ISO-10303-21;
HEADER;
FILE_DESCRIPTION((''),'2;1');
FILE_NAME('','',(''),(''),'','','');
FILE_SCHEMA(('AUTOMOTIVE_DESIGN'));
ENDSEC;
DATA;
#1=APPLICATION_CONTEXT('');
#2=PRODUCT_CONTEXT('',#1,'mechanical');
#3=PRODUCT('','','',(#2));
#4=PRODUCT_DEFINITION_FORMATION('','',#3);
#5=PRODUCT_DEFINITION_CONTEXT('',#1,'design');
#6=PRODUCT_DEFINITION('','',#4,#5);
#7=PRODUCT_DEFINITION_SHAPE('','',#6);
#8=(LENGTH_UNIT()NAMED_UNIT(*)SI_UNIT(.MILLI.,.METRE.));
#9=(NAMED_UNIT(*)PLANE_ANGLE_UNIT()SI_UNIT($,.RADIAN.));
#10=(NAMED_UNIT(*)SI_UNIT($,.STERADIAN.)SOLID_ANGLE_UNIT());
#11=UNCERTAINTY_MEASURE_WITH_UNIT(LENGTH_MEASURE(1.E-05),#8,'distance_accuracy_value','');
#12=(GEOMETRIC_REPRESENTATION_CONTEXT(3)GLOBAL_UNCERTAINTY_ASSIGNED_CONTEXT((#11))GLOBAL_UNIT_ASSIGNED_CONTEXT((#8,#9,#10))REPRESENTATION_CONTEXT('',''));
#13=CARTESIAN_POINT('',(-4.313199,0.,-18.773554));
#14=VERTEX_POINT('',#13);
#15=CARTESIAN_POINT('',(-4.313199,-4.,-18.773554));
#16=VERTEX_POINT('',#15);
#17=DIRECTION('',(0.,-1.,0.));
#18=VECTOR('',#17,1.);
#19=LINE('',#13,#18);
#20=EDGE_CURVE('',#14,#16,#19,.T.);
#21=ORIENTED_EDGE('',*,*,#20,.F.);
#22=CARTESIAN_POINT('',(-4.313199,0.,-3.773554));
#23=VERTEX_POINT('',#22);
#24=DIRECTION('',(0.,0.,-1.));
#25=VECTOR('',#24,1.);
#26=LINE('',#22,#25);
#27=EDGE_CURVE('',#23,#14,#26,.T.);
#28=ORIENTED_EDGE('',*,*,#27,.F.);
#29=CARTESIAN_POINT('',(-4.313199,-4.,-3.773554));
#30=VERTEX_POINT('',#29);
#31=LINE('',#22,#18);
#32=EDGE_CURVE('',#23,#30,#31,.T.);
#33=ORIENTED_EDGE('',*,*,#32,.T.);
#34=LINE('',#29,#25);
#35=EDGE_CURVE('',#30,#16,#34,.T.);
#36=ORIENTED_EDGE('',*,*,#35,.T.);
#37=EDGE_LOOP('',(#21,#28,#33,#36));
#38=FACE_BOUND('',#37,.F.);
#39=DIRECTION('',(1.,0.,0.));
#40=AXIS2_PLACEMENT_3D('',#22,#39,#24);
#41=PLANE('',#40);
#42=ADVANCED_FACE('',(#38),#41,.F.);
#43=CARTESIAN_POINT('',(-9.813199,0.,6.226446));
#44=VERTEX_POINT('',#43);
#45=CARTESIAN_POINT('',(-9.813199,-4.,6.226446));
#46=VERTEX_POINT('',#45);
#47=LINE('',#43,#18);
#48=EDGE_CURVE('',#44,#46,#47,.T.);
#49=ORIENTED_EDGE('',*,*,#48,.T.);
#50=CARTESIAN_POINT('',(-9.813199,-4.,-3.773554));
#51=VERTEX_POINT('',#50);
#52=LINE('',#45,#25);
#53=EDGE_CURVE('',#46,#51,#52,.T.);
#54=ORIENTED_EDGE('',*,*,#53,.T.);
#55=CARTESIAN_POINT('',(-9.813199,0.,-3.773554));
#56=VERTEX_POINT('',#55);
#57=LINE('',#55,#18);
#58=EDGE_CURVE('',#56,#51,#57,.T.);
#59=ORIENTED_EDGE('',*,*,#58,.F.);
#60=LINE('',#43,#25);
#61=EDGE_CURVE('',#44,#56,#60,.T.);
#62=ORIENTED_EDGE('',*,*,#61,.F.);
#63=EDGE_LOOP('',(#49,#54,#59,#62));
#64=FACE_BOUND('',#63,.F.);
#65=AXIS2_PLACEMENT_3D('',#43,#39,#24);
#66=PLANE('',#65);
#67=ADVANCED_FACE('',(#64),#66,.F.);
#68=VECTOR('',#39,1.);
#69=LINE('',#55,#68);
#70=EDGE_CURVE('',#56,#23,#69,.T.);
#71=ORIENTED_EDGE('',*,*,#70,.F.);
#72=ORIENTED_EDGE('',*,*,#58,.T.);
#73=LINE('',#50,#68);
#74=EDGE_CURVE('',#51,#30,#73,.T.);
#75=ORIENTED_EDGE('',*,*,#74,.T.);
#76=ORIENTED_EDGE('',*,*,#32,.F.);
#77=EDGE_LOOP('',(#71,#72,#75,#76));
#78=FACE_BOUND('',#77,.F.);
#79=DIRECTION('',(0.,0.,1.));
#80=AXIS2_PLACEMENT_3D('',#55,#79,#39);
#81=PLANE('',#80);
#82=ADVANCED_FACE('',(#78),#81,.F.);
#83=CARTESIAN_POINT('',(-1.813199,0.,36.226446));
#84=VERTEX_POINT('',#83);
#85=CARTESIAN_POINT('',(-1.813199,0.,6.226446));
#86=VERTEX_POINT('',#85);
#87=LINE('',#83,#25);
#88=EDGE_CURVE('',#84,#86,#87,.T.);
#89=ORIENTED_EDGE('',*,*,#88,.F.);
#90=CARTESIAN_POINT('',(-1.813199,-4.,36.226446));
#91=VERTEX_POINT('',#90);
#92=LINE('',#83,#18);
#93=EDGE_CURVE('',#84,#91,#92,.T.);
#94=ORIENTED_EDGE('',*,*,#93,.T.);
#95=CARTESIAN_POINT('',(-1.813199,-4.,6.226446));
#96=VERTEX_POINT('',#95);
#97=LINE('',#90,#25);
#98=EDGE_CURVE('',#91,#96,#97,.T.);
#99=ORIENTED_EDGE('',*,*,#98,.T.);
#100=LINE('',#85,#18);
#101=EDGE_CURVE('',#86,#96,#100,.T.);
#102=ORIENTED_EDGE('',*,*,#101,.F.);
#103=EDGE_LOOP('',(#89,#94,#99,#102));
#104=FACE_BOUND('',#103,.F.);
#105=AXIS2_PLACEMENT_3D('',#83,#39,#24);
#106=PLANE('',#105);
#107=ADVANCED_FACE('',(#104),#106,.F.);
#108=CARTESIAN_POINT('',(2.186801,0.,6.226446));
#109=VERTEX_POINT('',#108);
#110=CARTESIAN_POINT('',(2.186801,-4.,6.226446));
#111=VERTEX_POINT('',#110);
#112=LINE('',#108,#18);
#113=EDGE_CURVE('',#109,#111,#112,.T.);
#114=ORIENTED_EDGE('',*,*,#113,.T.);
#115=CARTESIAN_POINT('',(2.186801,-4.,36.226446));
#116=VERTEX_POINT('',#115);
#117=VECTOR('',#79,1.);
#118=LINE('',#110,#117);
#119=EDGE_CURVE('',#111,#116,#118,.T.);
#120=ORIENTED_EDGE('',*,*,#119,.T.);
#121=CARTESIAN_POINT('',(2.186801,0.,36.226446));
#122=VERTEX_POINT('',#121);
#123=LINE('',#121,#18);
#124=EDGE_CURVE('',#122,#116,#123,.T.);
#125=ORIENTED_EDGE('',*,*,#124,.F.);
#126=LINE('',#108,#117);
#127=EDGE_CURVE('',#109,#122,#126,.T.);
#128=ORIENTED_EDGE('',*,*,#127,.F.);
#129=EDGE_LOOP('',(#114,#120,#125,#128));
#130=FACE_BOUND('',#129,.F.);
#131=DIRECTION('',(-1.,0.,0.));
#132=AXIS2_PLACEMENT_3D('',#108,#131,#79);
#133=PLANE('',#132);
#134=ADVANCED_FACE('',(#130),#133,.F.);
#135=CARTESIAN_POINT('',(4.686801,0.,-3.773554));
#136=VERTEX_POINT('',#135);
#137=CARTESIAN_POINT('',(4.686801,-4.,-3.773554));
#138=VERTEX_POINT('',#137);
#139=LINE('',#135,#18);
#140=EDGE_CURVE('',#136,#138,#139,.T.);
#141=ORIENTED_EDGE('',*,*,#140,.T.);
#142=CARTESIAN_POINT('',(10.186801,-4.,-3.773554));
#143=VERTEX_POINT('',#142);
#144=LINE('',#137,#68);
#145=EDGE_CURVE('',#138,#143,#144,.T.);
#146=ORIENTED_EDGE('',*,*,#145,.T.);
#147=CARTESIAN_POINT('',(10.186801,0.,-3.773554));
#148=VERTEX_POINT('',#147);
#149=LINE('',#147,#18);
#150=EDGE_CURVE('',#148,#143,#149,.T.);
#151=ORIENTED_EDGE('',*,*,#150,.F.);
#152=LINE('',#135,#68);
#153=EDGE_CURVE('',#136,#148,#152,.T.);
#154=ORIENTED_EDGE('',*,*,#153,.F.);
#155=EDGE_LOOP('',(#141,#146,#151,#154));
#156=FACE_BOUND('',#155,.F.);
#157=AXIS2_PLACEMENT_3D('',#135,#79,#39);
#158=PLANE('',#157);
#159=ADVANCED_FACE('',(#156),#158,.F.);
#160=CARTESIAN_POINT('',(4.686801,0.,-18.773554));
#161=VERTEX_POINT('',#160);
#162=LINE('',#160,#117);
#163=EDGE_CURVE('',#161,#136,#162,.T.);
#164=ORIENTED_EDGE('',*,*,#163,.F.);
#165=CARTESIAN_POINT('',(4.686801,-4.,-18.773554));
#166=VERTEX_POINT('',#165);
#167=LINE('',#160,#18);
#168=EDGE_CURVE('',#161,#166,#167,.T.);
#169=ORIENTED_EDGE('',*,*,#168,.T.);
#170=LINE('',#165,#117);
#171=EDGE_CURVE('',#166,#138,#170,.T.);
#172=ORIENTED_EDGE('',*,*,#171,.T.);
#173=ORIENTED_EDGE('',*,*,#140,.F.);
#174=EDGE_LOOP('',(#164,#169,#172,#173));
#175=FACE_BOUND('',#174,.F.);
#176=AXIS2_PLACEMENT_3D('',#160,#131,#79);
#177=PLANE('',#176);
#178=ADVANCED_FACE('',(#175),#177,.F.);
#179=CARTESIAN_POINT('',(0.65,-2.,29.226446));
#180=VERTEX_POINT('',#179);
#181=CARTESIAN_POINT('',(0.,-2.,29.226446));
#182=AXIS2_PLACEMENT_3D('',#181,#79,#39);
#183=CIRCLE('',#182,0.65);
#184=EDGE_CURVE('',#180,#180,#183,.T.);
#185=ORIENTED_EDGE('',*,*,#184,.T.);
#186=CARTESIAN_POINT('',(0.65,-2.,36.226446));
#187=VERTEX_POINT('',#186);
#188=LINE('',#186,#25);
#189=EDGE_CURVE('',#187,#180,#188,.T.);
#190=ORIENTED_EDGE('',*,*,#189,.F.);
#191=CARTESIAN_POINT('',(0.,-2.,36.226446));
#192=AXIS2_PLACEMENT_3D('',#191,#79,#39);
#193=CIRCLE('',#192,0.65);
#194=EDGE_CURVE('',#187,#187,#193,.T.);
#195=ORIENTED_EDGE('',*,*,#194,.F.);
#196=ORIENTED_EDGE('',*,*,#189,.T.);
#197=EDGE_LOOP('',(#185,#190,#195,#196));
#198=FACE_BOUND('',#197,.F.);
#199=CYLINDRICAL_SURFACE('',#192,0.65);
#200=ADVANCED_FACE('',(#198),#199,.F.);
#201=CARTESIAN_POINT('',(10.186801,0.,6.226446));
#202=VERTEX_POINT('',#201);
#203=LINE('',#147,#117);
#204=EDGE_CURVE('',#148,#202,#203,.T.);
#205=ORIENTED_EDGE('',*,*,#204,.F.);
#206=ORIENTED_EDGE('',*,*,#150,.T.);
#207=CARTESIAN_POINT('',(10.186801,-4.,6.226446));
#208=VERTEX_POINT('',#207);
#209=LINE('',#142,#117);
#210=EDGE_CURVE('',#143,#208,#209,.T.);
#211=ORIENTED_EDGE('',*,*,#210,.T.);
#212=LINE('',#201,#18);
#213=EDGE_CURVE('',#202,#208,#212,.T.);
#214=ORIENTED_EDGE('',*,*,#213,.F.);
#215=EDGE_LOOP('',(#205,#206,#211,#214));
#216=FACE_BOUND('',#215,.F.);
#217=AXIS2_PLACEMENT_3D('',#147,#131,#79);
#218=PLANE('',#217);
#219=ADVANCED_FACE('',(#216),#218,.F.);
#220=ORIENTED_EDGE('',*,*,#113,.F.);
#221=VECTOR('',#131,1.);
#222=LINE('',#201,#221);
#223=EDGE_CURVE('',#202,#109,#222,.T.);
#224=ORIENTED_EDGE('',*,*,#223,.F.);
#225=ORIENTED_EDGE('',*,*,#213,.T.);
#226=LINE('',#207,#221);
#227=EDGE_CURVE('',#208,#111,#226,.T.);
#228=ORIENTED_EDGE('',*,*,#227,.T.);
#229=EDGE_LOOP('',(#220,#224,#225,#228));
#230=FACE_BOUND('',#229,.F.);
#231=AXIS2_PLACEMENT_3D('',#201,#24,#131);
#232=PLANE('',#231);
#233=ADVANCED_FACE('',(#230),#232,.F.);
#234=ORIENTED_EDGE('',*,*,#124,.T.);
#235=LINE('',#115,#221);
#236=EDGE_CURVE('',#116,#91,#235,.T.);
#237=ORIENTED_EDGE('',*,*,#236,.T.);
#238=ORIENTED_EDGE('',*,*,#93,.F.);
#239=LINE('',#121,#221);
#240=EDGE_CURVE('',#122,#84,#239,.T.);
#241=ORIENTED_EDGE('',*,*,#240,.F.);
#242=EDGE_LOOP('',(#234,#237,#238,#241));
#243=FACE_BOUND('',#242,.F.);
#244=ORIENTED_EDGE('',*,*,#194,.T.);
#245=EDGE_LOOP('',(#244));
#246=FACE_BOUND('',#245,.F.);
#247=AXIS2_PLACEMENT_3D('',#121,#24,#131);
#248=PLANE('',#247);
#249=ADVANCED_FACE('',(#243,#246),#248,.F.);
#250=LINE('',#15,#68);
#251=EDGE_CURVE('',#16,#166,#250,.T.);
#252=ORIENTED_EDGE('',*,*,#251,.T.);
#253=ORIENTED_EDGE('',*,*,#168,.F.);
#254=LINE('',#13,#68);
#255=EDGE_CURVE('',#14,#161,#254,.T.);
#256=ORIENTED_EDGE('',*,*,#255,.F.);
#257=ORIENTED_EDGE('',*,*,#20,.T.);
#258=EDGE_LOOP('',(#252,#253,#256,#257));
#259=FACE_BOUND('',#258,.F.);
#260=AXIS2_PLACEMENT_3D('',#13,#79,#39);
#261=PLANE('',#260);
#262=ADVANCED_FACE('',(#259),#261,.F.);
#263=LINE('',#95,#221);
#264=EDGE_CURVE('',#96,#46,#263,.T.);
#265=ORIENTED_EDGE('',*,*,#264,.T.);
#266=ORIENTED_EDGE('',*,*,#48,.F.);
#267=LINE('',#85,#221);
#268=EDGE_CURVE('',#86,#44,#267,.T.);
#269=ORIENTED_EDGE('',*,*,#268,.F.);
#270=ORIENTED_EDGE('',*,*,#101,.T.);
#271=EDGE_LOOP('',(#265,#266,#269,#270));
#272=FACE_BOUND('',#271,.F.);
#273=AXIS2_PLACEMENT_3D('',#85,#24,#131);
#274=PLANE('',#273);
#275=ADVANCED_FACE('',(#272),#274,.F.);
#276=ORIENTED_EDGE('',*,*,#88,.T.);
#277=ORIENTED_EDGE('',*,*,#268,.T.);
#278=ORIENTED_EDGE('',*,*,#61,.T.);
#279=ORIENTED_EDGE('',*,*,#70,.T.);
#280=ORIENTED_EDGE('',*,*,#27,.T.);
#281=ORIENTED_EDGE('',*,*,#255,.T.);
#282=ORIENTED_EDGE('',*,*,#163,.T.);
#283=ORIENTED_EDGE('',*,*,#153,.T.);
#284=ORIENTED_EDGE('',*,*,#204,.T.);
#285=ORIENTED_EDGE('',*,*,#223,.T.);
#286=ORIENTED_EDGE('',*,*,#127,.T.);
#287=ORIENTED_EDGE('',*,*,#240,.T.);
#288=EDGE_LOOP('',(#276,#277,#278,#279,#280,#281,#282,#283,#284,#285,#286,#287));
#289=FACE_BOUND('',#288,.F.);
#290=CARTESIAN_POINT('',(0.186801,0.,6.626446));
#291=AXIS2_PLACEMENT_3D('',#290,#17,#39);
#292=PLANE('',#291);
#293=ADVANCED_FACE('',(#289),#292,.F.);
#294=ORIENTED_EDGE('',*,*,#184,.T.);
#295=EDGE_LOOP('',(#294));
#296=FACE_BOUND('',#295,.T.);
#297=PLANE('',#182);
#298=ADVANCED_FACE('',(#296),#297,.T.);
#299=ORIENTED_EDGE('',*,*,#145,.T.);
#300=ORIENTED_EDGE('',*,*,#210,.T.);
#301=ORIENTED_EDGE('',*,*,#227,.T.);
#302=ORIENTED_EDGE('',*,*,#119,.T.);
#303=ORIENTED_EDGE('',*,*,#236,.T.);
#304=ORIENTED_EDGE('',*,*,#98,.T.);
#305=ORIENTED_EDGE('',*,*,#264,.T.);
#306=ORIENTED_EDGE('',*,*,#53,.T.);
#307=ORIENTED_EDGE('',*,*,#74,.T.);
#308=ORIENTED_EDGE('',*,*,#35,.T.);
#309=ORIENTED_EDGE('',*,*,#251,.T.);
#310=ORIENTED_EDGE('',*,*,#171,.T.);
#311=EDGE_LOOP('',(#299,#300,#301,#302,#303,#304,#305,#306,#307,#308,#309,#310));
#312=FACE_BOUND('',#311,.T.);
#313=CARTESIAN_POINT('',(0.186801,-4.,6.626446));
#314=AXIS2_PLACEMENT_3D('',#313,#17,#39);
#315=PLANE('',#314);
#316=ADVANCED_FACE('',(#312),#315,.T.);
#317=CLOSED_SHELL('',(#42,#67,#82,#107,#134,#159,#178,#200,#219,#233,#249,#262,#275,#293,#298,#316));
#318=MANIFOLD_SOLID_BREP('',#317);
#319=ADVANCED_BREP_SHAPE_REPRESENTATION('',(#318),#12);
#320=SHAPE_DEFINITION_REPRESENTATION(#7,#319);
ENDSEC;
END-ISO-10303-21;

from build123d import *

# Parameters (mm, degrees)
F1_DEPTH = 4
F2_R     = 0.65
F3_DEPTH = 7


with BuildPart() as f1:
    # F0 (on Front) → F1 (new body)
    with BuildSketch(Plane.XZ):
        Polygon((10.186801, -3.773554), (10.186801, 6.226446), (2.186801, 6.226446), (2.186801, 36.226446), (-1.813199, 36.226446), (-1.813199, 6.226446), (-9.813199, 6.226446), (-9.813199, -3.773554), (-4.313199, -3.773554), (-4.313199, -18.773554), (4.686801, -18.773554), (4.686801, -3.773554), align=None)
    extrude(amount=F1_DEPTH)

    # F2 (on face) → F3 (cut)
    with BuildSketch(Plane.XY.offset(36.226446)):
        with Locations((0, -2)):
            Circle(F2_R)
    extrude(amount=-F3_DEPTH, mode=Mode.SUBTRACT)


solid = f1.part
